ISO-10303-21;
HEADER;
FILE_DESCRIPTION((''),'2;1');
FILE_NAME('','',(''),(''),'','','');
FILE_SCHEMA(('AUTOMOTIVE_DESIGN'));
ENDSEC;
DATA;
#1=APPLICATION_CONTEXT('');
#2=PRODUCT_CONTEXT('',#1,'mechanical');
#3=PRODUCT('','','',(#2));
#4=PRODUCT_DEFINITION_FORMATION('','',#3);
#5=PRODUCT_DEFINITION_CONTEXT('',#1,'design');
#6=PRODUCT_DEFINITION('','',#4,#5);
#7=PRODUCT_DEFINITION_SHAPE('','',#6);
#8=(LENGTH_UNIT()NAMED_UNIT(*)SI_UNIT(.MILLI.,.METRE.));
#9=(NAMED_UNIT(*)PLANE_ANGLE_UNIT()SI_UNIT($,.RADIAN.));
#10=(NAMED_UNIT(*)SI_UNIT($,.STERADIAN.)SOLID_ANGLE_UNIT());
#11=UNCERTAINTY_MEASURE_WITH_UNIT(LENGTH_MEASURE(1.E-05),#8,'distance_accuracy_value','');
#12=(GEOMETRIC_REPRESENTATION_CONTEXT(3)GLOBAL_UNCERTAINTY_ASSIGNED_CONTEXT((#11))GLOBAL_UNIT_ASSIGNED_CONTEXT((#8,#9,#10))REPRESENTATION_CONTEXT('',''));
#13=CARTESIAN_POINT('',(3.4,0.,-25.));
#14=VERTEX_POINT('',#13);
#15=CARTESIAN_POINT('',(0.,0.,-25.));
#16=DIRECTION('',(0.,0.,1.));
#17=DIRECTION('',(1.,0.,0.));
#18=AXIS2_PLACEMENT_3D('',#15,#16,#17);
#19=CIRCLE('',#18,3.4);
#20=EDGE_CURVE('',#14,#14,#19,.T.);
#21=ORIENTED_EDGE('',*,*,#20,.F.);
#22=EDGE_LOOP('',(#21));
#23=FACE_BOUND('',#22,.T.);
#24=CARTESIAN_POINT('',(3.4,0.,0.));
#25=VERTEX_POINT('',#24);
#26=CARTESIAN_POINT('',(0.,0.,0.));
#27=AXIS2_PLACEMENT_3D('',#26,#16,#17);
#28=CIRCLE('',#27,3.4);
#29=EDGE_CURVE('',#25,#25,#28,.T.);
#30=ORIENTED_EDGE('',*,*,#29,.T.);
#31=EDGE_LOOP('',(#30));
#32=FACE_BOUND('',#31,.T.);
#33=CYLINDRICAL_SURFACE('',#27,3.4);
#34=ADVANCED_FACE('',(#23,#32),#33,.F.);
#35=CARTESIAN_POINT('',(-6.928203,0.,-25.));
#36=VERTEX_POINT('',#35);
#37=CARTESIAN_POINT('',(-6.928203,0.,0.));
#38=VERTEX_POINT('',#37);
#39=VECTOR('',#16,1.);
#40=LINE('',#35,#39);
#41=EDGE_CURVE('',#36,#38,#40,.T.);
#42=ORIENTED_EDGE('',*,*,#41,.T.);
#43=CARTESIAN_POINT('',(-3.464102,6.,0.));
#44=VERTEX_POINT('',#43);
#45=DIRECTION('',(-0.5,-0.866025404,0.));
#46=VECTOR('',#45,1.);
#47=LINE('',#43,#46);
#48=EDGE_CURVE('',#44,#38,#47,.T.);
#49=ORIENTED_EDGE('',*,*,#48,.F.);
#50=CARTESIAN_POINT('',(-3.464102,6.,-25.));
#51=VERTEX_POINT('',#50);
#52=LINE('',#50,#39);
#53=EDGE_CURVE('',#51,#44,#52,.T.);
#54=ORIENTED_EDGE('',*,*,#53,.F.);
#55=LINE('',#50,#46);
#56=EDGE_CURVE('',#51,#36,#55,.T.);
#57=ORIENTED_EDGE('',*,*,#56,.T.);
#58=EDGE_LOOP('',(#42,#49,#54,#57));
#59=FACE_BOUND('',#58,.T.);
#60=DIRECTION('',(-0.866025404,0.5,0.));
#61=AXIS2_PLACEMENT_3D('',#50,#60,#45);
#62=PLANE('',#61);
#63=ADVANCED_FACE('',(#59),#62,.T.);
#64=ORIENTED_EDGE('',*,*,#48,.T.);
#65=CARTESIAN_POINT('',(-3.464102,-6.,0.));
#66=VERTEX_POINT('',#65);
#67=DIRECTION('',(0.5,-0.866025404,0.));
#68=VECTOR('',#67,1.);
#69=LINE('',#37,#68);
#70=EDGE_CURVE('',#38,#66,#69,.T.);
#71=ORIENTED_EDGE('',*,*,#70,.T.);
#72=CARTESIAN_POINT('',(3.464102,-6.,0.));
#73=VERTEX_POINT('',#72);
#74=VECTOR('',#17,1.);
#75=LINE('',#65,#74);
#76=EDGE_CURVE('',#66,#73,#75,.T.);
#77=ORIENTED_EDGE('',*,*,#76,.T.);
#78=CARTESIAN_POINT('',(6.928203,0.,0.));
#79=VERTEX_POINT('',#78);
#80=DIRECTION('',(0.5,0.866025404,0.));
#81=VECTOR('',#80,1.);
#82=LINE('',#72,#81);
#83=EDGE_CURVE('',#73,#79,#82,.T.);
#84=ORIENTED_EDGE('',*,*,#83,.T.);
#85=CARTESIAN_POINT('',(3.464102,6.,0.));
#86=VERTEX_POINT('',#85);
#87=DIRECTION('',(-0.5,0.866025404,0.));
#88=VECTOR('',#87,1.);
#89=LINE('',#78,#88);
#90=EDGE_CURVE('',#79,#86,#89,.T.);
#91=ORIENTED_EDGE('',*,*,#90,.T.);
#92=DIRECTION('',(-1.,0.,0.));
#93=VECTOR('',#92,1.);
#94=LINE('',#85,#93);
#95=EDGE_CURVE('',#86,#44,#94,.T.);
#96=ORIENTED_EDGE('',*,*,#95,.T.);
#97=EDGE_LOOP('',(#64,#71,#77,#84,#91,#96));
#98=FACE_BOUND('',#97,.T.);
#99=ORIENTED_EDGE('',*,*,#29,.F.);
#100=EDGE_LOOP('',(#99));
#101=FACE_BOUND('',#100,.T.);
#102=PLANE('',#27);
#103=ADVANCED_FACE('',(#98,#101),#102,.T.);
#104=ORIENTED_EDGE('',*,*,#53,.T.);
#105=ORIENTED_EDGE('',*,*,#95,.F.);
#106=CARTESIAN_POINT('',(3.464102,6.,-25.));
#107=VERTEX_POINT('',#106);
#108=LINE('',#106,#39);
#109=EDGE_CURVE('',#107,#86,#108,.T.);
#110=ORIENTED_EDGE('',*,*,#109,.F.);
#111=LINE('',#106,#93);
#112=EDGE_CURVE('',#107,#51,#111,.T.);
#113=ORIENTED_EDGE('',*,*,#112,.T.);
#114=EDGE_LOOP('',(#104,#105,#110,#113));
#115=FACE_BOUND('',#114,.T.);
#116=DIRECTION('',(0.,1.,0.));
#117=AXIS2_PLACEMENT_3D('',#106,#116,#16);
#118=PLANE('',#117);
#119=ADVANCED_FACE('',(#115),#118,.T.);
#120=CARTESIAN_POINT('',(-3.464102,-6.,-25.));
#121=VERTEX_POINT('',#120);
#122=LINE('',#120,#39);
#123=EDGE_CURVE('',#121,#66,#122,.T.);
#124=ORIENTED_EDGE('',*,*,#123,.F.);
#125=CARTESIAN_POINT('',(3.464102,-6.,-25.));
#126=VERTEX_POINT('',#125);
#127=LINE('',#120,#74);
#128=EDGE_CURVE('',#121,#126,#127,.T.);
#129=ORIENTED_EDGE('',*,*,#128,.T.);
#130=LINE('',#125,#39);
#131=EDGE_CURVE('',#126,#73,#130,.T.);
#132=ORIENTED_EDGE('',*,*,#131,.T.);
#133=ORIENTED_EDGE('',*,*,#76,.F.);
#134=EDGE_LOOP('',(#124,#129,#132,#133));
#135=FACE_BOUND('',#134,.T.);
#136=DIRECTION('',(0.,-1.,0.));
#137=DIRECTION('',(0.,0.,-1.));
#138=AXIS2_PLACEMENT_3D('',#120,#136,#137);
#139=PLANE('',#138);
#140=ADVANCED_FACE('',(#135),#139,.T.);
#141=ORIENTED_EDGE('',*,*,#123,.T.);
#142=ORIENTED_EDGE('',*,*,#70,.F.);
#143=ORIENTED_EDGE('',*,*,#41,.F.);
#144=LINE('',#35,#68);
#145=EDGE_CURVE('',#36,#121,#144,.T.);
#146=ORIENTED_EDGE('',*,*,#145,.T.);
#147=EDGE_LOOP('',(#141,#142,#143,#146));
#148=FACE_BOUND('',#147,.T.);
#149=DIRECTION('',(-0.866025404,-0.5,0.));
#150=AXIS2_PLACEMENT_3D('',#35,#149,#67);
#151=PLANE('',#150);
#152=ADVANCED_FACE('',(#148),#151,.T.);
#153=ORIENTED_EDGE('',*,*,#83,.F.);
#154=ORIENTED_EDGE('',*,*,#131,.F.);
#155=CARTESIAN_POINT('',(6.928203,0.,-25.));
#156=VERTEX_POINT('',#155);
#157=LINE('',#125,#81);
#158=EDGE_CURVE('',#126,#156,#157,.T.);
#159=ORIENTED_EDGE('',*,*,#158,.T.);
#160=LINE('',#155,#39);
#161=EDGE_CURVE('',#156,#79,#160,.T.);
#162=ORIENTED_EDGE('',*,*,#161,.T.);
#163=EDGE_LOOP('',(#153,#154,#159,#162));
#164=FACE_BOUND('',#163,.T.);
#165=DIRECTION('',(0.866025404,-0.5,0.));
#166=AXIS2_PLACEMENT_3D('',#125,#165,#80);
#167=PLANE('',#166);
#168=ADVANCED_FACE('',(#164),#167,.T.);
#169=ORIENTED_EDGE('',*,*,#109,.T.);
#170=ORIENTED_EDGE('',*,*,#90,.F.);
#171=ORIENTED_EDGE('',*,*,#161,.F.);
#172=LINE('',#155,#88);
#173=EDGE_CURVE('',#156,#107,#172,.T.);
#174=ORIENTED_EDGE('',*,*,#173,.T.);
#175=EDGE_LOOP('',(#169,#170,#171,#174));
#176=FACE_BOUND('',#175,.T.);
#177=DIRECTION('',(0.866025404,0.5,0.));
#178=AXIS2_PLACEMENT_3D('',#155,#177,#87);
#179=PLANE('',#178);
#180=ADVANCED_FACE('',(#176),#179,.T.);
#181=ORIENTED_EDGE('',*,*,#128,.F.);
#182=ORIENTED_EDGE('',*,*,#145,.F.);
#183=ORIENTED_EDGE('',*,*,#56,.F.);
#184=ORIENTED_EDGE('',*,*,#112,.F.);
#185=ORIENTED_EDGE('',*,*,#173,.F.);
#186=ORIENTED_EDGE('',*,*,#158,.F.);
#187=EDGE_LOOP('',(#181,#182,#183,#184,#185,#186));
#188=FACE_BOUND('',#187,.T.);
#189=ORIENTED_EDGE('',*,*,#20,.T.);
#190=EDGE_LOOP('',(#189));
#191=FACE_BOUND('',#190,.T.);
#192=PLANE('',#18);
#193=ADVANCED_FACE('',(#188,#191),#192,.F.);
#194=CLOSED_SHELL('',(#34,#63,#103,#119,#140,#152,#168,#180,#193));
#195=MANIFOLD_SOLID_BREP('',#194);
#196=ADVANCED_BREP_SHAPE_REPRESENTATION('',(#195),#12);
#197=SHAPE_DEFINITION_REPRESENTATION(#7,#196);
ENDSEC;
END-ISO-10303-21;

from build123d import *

# Parameters (mm, degrees)
EXTRUDE_1_DEPTH  = 25
HOLE_WIZARD_M8_D = 6.8


with BuildPart() as part:
    # Эскиз1 → Бобышка-Вытянуть1 (new body)
    with BuildSketch(Plane.XY):
        Polygon((6.92820323, 0), (3.464101615, 6), (-3.464101615, 6), (-6.92820323, 0), (-3.464101615, -6), (3.464101615, -6), align=None)
    extrude(amount=-EXTRUDE_1_DEPTH)

    # M8 (through all)
    with Locations(Plane.XY):
        with Locations((0, 0)):
            Hole(HOLE_WIZARD_M8_D / 2)


solid = part.part
